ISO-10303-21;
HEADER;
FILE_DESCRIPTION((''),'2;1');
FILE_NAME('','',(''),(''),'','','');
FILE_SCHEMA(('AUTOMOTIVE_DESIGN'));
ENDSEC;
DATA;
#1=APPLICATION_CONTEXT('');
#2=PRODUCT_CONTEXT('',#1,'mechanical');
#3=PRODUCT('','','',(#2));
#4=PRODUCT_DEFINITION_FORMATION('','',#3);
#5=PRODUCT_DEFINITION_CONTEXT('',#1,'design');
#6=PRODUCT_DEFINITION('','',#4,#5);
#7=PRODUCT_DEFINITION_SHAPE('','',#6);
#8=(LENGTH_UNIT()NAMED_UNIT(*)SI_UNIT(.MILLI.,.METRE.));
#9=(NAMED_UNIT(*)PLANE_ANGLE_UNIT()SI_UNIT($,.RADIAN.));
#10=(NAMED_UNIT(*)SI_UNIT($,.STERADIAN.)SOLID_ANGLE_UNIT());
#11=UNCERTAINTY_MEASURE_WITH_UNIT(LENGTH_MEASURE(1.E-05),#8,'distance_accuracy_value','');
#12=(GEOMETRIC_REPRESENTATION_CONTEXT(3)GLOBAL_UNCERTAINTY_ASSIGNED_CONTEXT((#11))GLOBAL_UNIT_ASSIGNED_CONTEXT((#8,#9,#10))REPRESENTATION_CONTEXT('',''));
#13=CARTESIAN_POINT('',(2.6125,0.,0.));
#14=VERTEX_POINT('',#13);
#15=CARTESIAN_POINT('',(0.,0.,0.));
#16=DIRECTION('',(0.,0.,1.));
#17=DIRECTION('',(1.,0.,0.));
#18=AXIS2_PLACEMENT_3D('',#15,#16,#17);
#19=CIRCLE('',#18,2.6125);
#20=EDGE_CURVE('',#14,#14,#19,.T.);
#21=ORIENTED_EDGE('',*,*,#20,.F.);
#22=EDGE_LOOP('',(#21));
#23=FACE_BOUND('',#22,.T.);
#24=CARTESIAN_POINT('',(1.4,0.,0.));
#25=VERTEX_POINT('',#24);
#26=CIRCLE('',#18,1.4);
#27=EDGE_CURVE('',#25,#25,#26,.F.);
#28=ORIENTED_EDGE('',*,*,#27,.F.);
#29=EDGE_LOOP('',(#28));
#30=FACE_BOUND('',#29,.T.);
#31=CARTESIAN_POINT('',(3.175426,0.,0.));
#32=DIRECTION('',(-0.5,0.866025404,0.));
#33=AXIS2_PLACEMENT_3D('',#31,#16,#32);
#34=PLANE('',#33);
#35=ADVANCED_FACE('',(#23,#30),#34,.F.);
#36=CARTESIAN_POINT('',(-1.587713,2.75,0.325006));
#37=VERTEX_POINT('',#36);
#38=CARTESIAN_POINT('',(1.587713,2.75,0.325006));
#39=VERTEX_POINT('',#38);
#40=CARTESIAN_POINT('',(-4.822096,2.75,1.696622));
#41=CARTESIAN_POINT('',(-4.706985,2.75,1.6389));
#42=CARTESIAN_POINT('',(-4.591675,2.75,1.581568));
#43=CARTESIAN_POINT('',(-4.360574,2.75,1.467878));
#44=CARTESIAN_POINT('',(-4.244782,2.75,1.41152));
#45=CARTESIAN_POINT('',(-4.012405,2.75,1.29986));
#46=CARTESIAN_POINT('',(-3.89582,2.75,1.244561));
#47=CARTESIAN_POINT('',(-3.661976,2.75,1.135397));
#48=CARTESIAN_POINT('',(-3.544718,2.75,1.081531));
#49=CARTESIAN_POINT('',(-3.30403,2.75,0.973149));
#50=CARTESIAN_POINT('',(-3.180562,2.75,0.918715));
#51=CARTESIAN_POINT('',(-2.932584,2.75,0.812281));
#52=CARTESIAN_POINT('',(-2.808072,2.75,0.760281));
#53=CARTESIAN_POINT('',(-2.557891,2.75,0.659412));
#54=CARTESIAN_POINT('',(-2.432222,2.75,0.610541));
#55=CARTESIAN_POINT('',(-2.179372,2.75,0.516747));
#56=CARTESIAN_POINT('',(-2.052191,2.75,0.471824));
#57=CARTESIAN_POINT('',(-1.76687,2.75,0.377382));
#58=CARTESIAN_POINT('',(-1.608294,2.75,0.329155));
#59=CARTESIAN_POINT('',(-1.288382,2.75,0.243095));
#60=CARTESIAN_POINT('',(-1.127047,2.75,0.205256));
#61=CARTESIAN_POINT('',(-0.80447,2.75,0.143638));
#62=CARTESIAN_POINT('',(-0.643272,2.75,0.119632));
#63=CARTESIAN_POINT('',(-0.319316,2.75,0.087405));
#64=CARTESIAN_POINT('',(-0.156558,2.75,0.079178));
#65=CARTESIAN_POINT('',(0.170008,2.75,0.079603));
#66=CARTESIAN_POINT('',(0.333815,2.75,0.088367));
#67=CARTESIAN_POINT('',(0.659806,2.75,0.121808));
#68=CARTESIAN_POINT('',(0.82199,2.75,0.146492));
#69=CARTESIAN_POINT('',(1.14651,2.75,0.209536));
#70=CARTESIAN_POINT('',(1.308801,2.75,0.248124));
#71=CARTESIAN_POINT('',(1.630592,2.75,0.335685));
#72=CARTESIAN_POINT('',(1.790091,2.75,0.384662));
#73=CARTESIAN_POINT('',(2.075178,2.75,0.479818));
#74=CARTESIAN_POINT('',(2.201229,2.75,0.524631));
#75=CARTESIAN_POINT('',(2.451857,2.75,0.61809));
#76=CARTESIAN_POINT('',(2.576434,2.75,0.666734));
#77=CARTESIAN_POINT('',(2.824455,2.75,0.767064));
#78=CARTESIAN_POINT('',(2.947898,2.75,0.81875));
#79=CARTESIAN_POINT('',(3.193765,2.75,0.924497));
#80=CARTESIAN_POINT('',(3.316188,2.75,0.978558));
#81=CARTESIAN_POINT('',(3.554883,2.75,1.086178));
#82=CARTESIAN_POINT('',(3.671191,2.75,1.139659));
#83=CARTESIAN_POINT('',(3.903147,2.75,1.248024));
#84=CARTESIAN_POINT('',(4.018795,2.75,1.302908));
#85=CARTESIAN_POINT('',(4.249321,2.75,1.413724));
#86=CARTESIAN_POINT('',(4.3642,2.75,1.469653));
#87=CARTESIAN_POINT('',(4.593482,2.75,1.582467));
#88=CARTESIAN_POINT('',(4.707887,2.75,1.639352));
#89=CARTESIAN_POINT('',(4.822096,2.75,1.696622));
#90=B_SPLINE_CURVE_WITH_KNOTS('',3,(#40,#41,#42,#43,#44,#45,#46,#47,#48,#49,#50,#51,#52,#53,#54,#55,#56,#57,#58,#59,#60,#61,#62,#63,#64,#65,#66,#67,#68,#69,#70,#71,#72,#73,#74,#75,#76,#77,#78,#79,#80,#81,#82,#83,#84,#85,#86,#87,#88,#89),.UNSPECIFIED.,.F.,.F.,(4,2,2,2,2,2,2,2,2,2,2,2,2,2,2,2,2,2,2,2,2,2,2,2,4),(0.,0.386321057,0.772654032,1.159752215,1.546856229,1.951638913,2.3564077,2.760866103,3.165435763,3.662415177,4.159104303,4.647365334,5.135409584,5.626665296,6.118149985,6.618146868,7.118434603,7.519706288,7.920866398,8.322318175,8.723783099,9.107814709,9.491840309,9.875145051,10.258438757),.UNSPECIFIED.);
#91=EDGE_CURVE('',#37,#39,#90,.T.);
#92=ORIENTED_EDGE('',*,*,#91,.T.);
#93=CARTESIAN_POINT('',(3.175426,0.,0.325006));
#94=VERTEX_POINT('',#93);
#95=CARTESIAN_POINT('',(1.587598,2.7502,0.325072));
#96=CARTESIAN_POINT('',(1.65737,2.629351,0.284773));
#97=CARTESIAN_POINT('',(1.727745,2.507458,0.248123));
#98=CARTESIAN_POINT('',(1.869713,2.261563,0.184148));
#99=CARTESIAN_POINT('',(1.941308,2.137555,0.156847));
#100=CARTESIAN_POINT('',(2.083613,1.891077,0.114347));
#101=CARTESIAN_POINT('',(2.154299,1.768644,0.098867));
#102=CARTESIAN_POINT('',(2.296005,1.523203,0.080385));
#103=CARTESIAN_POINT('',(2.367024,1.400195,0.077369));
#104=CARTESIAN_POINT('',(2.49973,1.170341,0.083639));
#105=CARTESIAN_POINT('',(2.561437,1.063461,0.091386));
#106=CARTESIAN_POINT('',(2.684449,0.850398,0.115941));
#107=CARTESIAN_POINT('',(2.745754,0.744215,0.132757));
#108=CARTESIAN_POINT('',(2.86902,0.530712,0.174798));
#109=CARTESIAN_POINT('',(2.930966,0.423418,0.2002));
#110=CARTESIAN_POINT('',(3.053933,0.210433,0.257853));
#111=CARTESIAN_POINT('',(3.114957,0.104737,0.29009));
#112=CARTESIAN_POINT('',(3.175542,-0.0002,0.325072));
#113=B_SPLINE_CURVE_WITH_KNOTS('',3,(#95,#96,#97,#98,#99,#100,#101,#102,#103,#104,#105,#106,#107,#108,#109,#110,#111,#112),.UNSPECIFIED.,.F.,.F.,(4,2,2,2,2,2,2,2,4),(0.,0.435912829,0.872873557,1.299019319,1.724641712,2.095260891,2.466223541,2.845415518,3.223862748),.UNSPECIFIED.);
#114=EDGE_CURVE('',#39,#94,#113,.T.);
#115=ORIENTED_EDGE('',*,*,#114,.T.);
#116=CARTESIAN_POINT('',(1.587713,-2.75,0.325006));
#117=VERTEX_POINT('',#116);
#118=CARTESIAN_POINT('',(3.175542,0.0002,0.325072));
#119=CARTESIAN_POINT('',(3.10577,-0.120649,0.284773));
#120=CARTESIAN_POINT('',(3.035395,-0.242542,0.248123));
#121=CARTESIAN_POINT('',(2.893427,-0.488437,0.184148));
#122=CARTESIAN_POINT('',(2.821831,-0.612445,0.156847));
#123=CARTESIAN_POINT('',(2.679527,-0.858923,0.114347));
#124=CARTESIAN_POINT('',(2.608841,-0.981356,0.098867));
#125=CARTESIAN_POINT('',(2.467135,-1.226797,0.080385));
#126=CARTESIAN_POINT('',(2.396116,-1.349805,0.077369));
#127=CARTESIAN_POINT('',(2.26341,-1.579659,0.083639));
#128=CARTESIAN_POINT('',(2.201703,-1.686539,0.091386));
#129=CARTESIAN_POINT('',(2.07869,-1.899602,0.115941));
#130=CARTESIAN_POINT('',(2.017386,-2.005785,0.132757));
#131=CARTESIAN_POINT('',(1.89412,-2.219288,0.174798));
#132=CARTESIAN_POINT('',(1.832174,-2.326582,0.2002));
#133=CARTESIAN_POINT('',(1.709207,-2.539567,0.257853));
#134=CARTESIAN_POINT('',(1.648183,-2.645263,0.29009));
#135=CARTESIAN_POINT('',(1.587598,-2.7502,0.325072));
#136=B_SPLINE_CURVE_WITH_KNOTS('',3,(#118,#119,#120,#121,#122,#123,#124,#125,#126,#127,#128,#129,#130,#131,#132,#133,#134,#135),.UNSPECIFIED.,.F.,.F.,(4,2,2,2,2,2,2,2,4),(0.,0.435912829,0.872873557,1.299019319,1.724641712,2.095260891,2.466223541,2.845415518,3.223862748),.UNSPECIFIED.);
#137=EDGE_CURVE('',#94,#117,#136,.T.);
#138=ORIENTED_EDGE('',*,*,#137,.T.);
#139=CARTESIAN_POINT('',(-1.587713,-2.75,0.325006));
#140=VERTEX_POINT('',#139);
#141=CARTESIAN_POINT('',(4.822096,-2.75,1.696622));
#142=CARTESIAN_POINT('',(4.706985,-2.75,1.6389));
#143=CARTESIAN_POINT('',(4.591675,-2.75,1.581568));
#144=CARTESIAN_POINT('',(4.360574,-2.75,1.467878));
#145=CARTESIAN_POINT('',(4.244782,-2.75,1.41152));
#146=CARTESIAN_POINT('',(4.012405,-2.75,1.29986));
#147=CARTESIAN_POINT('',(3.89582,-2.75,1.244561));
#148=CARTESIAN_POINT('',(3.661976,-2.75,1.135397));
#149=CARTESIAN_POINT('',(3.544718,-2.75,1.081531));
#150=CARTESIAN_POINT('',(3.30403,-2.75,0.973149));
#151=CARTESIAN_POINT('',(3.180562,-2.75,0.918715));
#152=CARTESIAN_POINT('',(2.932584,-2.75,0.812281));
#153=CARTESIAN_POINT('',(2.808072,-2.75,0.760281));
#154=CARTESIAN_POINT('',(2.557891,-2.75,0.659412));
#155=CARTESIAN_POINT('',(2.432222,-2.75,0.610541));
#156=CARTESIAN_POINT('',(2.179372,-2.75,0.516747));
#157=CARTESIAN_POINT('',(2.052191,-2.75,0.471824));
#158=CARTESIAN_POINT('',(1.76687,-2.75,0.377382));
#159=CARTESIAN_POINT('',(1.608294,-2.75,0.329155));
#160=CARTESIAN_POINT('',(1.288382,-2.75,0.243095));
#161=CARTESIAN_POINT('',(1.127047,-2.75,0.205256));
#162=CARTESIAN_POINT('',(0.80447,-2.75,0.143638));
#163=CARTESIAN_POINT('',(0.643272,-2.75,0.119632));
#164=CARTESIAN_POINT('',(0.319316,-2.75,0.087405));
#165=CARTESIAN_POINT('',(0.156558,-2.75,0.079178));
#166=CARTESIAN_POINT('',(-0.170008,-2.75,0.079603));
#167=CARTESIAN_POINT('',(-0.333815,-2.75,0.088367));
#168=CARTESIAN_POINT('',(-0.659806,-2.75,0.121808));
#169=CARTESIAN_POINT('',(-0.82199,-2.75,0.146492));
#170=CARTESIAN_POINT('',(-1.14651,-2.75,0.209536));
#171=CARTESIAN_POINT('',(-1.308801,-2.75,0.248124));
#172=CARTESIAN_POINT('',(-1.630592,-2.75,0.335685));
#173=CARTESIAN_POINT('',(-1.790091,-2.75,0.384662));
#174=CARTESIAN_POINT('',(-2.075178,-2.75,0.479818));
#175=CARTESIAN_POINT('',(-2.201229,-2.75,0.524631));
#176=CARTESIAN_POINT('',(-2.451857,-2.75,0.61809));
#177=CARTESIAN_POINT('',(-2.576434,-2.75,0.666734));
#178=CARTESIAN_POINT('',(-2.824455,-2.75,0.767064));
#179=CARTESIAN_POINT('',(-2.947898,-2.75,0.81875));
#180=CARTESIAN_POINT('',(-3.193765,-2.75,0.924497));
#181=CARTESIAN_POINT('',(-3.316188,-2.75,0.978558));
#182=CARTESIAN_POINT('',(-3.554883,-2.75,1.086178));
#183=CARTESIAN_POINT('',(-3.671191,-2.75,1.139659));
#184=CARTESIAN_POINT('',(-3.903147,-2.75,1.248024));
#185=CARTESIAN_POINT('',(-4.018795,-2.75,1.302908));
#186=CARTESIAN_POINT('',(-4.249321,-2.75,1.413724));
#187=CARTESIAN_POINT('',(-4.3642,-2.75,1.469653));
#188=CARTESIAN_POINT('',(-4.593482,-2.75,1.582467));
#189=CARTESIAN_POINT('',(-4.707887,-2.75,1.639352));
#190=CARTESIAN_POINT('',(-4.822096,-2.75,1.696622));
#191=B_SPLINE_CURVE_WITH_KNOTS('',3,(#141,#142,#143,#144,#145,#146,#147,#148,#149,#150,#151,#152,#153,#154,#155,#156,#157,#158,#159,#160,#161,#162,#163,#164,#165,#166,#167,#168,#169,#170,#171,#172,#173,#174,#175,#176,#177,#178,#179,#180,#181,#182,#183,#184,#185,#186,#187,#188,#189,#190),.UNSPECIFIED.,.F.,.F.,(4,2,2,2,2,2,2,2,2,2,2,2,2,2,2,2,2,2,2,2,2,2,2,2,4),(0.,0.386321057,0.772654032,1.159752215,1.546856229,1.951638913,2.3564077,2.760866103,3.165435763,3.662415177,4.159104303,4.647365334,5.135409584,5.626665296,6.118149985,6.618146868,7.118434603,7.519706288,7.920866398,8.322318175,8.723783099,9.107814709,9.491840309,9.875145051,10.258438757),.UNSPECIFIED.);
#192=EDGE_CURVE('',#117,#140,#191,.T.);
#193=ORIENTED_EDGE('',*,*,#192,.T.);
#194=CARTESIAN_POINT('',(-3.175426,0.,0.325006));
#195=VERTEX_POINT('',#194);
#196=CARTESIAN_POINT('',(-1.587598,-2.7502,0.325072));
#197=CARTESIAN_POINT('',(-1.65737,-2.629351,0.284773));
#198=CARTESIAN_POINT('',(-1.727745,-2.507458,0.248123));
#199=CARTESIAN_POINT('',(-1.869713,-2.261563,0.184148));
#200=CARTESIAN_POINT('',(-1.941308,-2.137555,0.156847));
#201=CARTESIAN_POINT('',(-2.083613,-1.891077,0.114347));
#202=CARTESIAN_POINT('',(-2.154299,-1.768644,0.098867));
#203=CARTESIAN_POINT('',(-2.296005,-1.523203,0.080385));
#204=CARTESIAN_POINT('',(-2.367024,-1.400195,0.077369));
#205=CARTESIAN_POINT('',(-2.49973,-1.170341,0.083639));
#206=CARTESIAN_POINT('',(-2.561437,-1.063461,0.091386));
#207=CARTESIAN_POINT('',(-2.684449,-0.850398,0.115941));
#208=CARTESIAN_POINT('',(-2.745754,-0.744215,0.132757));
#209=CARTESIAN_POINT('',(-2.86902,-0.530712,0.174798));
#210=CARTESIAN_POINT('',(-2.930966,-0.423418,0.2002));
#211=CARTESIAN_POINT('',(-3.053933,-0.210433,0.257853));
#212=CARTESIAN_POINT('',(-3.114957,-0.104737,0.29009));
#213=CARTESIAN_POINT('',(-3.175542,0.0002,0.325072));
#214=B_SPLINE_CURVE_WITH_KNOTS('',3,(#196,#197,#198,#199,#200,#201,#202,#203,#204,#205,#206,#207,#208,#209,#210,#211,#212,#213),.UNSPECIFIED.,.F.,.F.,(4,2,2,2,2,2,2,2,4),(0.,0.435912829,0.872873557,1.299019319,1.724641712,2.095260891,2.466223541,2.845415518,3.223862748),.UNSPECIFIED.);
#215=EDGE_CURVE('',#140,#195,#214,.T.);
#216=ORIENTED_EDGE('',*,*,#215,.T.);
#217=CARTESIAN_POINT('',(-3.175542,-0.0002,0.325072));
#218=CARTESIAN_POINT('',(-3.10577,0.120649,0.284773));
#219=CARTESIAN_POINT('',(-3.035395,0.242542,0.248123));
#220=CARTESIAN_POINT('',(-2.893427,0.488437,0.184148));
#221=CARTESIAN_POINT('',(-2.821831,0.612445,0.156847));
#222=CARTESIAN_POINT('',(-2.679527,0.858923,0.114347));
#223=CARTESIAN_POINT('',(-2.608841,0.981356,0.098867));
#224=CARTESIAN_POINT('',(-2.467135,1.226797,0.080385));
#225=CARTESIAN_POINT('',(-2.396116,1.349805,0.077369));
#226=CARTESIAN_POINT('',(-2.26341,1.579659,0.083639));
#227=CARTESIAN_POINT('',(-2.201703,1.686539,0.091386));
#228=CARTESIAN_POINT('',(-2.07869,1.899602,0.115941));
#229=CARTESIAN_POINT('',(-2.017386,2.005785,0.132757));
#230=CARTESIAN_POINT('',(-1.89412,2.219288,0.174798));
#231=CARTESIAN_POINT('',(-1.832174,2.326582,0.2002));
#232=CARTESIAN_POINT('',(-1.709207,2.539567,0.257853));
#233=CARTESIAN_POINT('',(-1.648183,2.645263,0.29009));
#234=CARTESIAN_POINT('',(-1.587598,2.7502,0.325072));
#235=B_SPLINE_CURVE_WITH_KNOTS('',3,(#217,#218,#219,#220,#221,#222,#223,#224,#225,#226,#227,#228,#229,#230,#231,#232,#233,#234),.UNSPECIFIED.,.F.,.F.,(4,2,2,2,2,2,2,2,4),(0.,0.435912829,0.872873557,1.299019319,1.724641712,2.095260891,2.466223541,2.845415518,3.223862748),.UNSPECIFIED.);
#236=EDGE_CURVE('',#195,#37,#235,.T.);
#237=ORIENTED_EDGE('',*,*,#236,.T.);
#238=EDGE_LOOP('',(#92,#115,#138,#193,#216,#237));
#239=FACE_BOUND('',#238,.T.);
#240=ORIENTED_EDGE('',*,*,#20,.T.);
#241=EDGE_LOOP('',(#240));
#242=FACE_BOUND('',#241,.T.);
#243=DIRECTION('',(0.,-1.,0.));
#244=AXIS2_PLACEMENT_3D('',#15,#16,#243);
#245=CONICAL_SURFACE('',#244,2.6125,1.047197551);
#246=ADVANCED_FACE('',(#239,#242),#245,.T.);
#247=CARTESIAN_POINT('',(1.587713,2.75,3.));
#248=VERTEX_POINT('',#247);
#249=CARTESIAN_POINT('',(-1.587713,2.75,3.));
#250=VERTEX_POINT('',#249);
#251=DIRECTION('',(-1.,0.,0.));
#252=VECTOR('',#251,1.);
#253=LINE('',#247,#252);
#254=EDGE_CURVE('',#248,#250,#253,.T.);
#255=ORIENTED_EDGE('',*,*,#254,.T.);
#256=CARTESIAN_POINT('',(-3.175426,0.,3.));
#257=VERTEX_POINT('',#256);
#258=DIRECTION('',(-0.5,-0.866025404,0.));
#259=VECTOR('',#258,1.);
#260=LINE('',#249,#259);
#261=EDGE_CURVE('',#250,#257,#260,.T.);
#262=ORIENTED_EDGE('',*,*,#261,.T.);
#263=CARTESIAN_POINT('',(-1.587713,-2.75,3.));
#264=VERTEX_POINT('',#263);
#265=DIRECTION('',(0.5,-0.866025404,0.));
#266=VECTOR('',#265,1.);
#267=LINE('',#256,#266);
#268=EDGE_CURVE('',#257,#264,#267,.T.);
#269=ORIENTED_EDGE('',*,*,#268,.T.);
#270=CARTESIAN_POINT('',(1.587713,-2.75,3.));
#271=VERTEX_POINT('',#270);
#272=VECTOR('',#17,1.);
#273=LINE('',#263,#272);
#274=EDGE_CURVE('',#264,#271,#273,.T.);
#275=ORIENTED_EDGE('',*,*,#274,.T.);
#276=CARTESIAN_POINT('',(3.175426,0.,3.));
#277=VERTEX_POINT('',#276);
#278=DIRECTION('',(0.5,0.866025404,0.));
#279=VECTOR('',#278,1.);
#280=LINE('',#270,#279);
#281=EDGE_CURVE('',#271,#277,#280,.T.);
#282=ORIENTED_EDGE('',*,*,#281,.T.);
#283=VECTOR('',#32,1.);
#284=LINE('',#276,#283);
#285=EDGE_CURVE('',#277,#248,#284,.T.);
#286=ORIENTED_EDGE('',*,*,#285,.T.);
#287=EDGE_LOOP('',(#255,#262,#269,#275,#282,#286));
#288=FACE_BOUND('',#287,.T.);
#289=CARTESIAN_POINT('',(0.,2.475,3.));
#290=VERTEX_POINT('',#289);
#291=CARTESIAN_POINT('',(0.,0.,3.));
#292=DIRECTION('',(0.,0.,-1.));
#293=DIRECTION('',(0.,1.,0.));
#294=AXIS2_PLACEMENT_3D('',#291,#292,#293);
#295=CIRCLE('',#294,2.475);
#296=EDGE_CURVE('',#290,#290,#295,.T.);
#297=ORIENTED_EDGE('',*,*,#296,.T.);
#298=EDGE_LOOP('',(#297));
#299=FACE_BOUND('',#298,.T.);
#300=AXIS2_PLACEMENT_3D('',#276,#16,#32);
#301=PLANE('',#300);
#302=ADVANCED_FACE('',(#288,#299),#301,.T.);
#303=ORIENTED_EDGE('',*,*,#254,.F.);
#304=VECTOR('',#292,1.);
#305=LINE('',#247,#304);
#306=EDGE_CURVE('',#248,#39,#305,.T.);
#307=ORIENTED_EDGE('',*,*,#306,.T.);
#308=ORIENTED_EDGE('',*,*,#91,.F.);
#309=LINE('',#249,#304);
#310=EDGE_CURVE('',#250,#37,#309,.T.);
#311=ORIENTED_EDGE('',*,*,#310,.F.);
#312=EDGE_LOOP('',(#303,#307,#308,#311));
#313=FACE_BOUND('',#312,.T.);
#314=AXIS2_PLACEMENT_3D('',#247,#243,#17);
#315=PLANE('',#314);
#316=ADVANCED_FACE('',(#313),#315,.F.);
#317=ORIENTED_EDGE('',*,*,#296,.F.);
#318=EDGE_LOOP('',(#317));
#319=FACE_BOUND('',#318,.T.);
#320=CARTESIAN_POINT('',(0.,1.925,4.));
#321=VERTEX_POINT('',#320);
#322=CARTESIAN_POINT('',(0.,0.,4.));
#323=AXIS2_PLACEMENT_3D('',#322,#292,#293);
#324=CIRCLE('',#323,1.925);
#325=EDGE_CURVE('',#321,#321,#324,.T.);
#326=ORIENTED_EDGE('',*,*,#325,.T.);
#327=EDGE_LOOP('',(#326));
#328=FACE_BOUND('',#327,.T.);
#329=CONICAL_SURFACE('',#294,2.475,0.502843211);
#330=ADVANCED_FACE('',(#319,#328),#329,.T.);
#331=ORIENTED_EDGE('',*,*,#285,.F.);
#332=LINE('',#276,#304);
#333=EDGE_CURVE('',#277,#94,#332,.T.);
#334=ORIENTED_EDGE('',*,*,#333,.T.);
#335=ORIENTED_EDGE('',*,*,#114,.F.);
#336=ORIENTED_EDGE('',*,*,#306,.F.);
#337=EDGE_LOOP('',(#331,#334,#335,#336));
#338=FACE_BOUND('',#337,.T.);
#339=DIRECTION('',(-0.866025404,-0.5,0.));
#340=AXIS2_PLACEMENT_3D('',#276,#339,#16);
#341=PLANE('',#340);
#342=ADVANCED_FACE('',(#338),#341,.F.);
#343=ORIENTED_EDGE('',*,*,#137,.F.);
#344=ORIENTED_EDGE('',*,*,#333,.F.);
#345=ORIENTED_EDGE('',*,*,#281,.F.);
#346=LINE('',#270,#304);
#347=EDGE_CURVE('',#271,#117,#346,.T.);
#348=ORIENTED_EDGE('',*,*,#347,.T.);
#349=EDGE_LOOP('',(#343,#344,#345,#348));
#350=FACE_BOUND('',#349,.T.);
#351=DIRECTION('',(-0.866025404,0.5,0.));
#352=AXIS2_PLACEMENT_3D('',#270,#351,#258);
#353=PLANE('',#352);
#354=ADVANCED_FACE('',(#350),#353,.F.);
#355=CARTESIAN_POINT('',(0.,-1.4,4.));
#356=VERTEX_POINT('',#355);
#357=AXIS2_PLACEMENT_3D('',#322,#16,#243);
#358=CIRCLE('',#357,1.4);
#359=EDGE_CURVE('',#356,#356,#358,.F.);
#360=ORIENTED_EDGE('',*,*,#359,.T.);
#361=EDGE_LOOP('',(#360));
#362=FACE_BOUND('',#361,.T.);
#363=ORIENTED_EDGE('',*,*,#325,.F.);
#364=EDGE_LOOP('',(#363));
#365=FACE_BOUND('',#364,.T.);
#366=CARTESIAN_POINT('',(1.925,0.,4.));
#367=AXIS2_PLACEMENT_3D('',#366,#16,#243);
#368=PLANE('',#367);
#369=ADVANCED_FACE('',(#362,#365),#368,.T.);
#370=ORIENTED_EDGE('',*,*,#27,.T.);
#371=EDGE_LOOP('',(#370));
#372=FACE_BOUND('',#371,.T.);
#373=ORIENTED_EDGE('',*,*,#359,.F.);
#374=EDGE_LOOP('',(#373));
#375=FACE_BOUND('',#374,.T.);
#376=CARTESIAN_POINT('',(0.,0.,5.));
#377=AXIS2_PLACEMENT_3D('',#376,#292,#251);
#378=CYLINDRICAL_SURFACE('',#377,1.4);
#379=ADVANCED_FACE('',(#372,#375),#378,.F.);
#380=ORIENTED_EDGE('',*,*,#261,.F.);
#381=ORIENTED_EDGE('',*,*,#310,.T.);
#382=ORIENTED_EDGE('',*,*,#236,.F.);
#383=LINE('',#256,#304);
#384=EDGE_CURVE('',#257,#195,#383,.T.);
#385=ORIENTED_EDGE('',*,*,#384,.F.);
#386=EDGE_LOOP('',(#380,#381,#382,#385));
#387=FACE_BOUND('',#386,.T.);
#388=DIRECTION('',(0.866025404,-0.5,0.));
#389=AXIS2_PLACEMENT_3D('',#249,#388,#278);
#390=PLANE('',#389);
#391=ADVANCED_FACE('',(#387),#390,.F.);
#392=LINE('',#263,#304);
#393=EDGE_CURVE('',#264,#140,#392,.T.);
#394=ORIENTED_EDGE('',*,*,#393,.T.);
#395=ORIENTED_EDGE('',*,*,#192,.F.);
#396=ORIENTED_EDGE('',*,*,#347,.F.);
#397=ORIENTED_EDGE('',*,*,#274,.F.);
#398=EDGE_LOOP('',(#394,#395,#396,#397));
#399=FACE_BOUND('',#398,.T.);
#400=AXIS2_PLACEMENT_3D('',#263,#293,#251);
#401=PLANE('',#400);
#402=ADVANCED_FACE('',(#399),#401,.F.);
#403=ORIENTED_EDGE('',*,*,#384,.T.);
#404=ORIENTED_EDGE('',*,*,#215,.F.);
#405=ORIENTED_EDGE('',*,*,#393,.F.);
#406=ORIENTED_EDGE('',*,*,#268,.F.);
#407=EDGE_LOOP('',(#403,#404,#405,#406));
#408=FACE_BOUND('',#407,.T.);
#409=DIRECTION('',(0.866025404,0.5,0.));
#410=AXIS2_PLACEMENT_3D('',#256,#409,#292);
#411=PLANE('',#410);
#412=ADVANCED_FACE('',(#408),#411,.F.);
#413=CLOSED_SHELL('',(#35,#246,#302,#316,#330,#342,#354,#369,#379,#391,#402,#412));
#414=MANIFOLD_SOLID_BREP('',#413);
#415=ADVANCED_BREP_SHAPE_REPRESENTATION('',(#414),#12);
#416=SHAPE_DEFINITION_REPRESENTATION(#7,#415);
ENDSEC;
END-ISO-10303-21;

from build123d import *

# Parameters (mm, degrees)
F_0186_EXTRUDE_DEPTH        = 3
F_0186_EXTRUDE_ROTATE_ANGLE = 120
F_0185_REVOLVE_ROTATE_ANGLE = 90
F_0188_CONE_ROTATE_ANGLE    = 90
F_0191_CYLINDER_SKETCH_R    = 1.4
F_0191_CYLINDER_DEPTH       = 10


with BuildPart() as part:
    # 0186_extrude_Sketch → 0186_extrude (new body)
    with BuildSketch(Plane.XY):
        Polygon((0, 0), (3.175426481, 0), (4.763139721, 2.75), (3.175426481, 5.5), (0, 5.5), (-1.58771324, 2.75), align=None)
    extrude(amount=F_0186_EXTRUDE_DEPTH)


with BuildPart() as part_1:
    # 0186_extrude_Rotate: moved
    add(part.part.rotate(Axis((0, 0, 0), (0, 0, 1)), F_0186_EXTRUDE_ROTATE_ANGLE))


with BuildPart() as part_2:
    # 0186_extrude_Translate: moved
    add(part_1.part.moved(Location((3.175426481, 0, 0))))


with BuildPart() as body_2:
    # 0185_revolve_Sketch → 0185_revolve (revolve)
    with BuildSketch(Plane.XY, mode=Mode.PRIVATE) as f_0185_revolve_sk:
        Polygon((0, 0), (2.6125, 0), (3.675426481, 0.61368089), (3.675426481, 3), (0, 3), align=None)
    revolve(f_0185_revolve_sk.sketch.rotate(Axis((0, -100, 0), (0, 1, 0)), 90), axis=Axis((0, -100, 0), (0, 1, 0)))


with BuildPart() as body_2_1:
    # 0185_revolve_Rotate: moved
    add(body_2.part.rotate(Axis((0, 0, 0), (1, 0, 0)), F_0185_REVOLVE_ROTATE_ANGLE))


with BuildPart() as part_3:
    add(part_2.part)

    # 0187_common: intersect body 2
    add(body_2_1.part, mode=Mode.INTERSECT)


with BuildPart() as body_2_2:
    # 0188_cone_Sketch → 0188_cone (revolve)
    with BuildSketch(Plane.XY, mode=Mode.PRIVATE) as f_0188_cone_sk:
        Polygon((0, 0), (2.475, 0), (1.925, 1), (0, 1), align=None)
    revolve(f_0188_cone_sk.sketch.rotate(Axis((0, -100, 0), (0, 1, 0)), 90), axis=Axis((0, -100, 0), (0, 1, 0)))


with BuildPart() as body_2_2_1:
    # 0188_cone_Rotate: moved
    add(body_2_2.part.rotate(Axis((0, 0, 0), (1, 0, 0)), F_0188_CONE_ROTATE_ANGLE))


with BuildPart() as body_2_2_2:
    # 0188_cone_Translate: moved
    add(body_2_2_1.part.moved(Location((0, 0, 3))))


with BuildPart() as part_4:
    add(part_3.part)

    # 0190_add: union body 2 2
    add(body_2_2_2.part)


with BuildPart() as body_2_3:
    # 0191_cylinder_Sketch → 0191_cylinder (new body)
    with BuildSketch(Plane.XY):
        Circle(F_0191_CYLINDER_SKETCH_R)
    extrude(amount=F_0191_CYLINDER_DEPTH)


with BuildPart() as body_2_3_1:
    # 0191_cylinder_Translate: moved
    add(body_2_3.part.moved(Location((0, 0, -5))))


with BuildPart() as part_5:
    add(part_4.part)

    # 0192_sub: cut body 2 3
    add(body_2_3_1.part, mode=Mode.SUBTRACT)


solid = part_5.part
